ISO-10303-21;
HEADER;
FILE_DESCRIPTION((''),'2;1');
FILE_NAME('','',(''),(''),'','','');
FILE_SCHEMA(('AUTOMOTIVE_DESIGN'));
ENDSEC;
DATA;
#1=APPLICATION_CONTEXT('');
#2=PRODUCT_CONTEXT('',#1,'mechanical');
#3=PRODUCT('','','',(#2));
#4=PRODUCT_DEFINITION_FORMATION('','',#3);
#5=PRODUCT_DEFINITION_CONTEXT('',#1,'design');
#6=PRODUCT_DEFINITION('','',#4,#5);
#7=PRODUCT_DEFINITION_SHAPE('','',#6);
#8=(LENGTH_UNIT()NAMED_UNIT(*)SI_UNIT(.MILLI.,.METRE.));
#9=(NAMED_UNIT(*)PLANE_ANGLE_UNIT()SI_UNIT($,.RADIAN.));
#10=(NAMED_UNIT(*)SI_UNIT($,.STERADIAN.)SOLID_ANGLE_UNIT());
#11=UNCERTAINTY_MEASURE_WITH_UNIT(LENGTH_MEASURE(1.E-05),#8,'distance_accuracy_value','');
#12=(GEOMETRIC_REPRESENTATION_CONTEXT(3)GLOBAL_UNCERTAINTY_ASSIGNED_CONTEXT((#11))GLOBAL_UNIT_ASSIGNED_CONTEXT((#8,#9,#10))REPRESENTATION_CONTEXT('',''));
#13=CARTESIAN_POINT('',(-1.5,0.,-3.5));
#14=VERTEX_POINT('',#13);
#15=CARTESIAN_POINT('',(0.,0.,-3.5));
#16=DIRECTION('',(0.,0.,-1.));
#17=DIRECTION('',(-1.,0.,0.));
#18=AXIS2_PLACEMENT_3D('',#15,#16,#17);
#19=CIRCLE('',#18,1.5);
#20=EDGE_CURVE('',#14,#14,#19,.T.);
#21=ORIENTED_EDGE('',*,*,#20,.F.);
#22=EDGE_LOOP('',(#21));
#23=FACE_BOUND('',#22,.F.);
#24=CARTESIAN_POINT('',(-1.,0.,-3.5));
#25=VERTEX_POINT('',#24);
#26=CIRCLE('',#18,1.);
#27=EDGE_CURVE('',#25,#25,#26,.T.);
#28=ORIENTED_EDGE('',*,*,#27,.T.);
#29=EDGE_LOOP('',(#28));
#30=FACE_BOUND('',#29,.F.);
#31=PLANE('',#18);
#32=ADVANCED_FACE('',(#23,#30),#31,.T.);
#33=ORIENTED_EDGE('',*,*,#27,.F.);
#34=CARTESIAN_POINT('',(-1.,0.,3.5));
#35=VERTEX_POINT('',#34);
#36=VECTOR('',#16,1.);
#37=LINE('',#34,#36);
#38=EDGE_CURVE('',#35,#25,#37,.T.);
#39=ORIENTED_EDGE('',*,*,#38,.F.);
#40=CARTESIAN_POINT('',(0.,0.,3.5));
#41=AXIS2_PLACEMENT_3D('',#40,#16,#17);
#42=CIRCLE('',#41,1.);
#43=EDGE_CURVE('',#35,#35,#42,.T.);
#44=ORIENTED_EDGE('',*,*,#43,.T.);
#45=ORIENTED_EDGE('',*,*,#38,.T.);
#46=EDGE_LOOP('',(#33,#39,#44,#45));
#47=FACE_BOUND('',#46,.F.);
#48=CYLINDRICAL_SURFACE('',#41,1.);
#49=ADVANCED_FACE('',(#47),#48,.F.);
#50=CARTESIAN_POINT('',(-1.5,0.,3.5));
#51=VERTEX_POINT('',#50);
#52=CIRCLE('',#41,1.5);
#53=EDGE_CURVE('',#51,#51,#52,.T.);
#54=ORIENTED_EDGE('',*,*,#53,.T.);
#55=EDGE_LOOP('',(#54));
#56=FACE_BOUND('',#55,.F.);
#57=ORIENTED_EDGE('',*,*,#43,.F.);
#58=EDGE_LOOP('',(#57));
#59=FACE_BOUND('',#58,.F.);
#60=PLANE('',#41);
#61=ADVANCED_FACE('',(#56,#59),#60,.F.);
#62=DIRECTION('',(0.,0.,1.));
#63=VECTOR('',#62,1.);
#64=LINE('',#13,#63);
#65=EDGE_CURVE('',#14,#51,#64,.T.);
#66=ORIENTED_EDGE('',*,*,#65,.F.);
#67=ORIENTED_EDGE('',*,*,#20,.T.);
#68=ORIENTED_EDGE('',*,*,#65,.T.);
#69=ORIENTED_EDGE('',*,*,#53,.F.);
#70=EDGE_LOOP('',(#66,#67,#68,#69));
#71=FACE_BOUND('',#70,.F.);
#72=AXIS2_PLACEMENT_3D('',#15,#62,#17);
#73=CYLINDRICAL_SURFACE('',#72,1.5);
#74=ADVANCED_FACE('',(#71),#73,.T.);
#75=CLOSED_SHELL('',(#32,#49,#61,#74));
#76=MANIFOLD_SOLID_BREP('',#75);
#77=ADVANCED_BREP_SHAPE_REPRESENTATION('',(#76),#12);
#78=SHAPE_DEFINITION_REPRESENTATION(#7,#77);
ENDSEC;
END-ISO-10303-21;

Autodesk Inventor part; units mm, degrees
ref_plane "YZ Plane" through (0, 0, 0) normal (1, 0, 0) x (0, 1, 0)
ref_plane "XZ Plane" through (0, 0, 0) normal (0, 1, 0) x (-1, 0, 0)
ref_plane "XY Plane" through (0, 0, 0) normal (0, 0, 1) x (1, 0, 0)
sketch "Sketch1" plane through (0, 0, 0) normal (0, 1, 0) x (-1, 0, 0)
  line L0 (1, 3.5) -> (1, -3.5)
  line L1 (1, -3.5) -> (1.5, -3.5)
  line L2 (1.5, -3.5) -> (1.5, 3.5)
  line L3 (1.5, 3.5) -> (1, 3.5)
  line L4 (0, 0) -> (1.5, 0) construction
  line L5 (0, 0) -> (0, -3) construction
  dimension "d0" = 7
  dimension "d1" = 1.5
  dimension "d2" = 1
revolve "Revolution1" add sketch "Sketch1" angle 360 about axis through (0, 0, 0) along (0, 0, -1)
properties part number "nylon_shaft_6mm"
